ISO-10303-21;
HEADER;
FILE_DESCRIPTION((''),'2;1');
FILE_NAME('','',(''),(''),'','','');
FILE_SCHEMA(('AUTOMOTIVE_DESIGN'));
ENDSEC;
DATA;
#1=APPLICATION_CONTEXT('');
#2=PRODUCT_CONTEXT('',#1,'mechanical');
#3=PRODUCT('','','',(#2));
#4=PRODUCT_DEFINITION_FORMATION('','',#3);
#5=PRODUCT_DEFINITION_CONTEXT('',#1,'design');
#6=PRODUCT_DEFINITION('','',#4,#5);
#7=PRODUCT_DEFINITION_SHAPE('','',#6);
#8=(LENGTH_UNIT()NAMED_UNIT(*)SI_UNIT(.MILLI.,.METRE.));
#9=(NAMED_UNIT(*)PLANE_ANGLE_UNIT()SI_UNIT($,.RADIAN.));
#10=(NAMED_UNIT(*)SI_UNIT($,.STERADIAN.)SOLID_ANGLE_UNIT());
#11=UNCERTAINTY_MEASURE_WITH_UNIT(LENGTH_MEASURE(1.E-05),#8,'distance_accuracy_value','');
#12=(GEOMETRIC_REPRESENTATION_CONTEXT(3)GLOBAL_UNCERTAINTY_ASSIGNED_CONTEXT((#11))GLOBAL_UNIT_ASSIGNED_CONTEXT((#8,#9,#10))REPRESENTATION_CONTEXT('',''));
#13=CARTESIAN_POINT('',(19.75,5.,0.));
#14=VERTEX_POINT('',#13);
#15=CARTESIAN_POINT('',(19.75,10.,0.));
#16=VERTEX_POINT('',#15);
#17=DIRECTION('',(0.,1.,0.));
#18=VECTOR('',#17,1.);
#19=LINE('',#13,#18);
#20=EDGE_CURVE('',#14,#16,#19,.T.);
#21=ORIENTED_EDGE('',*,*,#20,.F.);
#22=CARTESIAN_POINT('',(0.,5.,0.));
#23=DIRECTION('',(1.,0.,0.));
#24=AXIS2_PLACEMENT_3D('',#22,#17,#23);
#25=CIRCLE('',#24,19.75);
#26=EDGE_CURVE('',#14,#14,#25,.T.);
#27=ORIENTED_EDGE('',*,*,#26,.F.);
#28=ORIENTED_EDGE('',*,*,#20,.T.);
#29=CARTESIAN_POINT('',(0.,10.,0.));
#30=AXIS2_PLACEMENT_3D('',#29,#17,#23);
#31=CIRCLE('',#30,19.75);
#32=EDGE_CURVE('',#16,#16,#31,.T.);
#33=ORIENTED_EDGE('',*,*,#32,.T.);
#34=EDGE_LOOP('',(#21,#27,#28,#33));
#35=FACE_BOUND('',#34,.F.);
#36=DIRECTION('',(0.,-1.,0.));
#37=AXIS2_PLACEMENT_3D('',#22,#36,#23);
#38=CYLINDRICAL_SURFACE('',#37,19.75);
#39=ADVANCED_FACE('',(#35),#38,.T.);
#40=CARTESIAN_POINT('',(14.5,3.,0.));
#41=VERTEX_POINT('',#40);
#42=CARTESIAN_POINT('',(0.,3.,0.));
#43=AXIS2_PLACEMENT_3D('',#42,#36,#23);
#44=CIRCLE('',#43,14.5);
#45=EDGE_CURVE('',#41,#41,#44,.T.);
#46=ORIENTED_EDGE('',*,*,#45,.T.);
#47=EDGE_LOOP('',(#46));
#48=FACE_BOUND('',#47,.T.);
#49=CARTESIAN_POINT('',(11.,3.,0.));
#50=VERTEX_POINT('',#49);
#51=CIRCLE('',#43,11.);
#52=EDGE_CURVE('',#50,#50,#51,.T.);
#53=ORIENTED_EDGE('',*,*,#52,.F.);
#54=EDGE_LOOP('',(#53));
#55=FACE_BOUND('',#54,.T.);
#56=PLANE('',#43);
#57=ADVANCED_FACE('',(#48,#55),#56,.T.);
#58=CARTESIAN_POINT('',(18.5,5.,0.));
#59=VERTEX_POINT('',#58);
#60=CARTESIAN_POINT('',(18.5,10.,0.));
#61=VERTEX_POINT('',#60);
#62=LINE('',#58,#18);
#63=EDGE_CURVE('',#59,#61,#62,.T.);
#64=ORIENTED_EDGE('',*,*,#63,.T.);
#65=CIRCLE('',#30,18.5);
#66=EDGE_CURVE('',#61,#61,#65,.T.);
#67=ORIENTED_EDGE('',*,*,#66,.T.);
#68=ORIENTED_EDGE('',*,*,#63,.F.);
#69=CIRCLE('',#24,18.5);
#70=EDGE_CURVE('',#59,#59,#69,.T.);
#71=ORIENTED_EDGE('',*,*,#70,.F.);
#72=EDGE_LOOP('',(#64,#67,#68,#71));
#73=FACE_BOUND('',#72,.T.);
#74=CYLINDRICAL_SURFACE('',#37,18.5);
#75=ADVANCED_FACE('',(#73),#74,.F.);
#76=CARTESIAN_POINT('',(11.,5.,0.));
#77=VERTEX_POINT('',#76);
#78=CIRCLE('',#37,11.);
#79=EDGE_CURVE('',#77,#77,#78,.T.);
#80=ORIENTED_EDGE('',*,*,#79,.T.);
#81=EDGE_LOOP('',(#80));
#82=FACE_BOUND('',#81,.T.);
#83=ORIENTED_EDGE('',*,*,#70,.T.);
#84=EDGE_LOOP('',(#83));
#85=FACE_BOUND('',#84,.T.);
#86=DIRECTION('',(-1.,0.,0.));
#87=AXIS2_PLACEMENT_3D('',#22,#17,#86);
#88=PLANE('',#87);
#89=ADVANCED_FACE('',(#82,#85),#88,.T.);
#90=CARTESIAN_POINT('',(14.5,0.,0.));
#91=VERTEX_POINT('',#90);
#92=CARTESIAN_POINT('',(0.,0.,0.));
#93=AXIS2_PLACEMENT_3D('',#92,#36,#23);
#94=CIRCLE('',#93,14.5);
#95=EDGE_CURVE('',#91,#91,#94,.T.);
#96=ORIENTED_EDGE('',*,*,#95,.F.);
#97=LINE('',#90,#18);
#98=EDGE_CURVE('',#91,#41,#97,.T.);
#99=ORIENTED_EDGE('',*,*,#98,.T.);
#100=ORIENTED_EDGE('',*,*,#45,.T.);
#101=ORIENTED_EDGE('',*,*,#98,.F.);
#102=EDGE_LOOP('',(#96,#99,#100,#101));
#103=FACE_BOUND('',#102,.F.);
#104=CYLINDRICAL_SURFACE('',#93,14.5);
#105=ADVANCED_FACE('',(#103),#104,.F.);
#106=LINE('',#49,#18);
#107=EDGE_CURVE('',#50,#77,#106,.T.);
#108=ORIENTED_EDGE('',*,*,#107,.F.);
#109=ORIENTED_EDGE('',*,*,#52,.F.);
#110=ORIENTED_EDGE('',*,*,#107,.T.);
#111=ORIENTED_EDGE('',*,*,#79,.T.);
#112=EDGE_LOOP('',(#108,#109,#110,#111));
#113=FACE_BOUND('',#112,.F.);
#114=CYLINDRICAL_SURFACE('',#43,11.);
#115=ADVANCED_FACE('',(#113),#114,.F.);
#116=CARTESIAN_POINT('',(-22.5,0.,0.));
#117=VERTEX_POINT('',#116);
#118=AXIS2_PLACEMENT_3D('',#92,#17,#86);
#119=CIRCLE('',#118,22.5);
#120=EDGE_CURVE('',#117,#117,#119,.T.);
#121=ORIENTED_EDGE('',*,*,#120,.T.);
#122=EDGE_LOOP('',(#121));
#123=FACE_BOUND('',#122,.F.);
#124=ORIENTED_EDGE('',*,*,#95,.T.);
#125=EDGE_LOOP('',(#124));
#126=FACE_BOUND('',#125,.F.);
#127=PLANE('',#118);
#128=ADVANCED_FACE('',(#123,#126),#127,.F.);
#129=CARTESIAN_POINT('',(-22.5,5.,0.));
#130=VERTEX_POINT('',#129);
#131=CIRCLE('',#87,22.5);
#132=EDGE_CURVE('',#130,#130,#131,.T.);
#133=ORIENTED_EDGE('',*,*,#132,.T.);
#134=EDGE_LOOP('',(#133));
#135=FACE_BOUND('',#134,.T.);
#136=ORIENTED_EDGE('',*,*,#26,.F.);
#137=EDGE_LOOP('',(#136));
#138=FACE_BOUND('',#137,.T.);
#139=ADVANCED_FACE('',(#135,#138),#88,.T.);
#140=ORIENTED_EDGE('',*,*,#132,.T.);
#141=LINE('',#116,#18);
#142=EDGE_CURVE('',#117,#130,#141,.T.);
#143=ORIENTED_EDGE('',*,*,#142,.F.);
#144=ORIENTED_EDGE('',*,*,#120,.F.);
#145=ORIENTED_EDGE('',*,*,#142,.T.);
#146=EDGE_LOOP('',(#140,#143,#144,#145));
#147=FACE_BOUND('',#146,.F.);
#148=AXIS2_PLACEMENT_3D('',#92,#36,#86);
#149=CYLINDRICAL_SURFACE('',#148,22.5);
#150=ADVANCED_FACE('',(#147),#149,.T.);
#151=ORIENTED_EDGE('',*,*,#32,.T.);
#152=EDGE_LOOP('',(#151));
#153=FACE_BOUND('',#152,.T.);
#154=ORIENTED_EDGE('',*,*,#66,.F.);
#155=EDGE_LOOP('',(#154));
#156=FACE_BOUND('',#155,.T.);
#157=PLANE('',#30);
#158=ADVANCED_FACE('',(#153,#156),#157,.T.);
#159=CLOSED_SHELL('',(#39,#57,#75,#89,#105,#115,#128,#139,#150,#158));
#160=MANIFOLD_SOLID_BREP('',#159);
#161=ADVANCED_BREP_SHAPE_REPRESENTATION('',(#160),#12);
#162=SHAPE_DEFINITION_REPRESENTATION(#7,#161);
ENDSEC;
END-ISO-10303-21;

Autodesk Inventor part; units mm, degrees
ref_plane "YZ Plane" through (0, 0, 0) normal (1, 0, 0) x (0, 1, 0)
ref_plane "XZ Plane" through (0, 0, 0) normal (0, 1, 0) x (-1, 0, 0)
ref_plane "XY Plane" through (0, 0, 0) normal (0, 0, 1) x (1, 0, 0)
sketch "Sketch1" plane through (0, 0, 0) normal (0, 1, 0) x (-1, 0, 0)
  circle A0 centre (0, 0) radius 22.5
  dimension "d0" = 45
extrude "Extrusion1" add sketch "Sketch1" along normal blind 5
sketch "Sketch2" plane through (0, 5, 0) normal (0, 1, 0) x (1, 0, 0)
  circle A0 centre (0, 0) radius 19.75
  circle A1 centre (0, 0) radius 18.5
  dimension "d3" = 39.5
  dimension "d4" = 37
extrude "Extrusion2" add sketch "Sketch2" along normal blind 5
sketch "Sketch3" plane through (0, 0, 0) normal (0, -1, 0) x (1, 0, 0)
  circle A0 centre (0, 0) radius 14.5
  dimension "d7" = 29
extrude "Extrusion3" cut sketch "Sketch3" against normal blind 3
sketch "Sketch4" plane through (0, 3, 0) normal (0, -1, 0) x (1, 0, 0)
  circle A0 centre (0, 0) radius 11
  dimension "d10" = 22
extrude "Extrusion4" cut sketch "Sketch4" against normal blind 5
properties part number "Button_Holder"
